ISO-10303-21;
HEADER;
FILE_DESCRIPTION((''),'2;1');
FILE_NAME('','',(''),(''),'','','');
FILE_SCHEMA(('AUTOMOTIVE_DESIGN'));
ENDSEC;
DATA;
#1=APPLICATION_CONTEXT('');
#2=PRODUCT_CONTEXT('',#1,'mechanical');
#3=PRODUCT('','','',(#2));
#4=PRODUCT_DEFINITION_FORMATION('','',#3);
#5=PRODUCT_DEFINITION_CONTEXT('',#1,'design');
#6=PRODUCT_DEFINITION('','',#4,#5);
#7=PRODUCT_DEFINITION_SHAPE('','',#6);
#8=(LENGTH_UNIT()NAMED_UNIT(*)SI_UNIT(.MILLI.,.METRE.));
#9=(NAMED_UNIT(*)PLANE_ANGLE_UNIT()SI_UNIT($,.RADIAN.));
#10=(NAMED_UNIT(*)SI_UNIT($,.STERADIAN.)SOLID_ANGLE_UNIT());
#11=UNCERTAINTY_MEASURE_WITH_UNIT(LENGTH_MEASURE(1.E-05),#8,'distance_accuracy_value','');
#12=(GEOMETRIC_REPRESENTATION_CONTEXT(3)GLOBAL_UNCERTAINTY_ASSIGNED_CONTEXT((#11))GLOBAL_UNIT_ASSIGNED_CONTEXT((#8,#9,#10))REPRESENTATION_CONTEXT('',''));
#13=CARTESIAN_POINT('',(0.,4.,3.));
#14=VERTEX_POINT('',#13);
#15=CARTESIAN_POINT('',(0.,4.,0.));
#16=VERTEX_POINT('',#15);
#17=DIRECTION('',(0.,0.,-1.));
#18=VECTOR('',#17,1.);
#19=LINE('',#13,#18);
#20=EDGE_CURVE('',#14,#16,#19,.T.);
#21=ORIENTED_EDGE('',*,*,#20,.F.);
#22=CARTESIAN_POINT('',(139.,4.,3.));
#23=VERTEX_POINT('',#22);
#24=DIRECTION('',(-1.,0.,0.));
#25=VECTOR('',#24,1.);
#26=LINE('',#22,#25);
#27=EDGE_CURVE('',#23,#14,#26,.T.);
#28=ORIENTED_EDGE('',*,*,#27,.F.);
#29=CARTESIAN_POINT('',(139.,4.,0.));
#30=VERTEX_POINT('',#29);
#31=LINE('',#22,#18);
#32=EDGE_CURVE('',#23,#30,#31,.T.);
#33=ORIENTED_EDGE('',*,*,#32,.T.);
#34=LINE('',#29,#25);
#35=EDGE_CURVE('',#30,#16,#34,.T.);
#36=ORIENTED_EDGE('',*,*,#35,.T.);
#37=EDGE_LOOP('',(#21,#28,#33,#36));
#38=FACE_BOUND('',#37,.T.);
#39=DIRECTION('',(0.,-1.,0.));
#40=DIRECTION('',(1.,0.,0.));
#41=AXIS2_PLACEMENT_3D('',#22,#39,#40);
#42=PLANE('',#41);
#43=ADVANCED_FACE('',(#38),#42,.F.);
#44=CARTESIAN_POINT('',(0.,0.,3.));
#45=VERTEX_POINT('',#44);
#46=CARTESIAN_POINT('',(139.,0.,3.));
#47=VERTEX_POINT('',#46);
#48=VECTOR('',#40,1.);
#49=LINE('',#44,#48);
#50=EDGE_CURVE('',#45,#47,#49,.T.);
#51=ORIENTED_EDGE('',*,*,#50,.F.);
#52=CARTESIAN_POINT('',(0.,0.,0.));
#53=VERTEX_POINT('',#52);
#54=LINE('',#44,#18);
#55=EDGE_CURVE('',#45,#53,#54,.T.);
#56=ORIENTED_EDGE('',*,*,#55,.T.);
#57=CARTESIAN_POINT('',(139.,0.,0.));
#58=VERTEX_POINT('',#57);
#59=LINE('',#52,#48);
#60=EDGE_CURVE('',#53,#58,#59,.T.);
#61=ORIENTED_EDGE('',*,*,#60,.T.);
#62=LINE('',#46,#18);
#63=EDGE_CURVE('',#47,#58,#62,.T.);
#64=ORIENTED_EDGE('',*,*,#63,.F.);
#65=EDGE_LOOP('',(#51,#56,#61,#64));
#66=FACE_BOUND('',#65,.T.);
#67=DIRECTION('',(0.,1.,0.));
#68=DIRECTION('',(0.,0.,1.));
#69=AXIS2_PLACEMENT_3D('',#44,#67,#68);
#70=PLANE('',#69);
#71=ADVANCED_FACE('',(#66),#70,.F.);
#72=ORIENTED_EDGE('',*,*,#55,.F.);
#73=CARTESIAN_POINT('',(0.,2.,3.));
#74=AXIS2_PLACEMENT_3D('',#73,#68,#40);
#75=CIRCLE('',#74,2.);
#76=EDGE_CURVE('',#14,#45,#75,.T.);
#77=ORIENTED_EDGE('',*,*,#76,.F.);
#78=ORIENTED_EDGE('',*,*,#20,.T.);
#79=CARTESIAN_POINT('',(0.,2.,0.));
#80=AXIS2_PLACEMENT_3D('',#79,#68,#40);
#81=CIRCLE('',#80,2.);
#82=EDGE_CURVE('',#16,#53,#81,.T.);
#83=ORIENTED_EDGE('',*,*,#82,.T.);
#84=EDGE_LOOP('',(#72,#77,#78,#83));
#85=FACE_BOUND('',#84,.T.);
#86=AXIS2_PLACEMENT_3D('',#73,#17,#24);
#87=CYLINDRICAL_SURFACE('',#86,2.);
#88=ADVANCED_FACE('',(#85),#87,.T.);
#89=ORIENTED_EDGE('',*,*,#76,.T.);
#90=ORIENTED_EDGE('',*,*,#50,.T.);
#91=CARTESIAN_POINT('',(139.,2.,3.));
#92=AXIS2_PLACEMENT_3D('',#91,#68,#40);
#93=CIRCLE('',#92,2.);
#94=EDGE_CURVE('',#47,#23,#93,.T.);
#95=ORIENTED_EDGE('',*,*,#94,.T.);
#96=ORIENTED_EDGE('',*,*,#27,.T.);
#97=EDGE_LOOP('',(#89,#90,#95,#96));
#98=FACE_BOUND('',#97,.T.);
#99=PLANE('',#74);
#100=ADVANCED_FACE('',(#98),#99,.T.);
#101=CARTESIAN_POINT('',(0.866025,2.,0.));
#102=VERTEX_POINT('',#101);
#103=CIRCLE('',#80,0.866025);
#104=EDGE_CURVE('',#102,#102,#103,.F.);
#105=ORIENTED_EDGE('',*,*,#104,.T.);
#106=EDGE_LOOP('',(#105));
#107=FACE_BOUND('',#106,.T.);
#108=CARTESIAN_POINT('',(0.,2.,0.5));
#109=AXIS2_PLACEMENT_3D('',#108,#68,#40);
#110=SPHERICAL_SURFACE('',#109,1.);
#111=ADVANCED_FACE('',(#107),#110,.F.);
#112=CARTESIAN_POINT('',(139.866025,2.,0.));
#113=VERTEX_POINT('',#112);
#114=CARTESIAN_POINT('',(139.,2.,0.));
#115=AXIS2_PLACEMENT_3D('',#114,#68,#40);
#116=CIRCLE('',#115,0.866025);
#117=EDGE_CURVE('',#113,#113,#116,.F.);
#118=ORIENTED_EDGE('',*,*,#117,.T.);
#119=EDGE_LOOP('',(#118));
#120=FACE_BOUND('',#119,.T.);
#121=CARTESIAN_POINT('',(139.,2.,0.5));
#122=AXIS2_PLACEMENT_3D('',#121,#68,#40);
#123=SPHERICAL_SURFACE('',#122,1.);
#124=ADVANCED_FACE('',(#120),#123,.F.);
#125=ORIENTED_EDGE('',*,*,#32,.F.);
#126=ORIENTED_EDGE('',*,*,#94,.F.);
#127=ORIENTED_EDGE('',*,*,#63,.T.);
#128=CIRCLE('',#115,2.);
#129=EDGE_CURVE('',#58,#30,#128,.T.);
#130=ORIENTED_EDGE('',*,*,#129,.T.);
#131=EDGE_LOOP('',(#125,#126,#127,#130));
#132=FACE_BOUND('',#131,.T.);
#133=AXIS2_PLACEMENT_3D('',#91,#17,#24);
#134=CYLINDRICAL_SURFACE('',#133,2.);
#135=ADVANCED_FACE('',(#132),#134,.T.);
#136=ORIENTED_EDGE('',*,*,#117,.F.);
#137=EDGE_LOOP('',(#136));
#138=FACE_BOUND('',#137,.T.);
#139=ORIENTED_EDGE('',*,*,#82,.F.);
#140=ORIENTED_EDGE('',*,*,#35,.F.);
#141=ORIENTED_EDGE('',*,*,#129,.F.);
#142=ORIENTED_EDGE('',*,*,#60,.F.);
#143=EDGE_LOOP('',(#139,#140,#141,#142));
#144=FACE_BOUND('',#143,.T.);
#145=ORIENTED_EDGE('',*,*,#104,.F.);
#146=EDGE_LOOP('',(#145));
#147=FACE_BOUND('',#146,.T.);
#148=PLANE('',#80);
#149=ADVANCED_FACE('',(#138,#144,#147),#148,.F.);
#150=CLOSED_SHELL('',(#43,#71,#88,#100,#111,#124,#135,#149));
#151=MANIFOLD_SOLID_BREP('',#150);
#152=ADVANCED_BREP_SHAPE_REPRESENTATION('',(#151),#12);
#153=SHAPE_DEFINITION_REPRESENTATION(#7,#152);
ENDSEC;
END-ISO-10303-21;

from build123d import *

# Parameters (mm, degrees)
EXTRUDE_1_DEPTH = 3


with BuildPart() as part:
    # 草图1 → 凸台-拉伸1 (new body)
    with BuildSketch(Plane.XY):
        with BuildLine():
            Line((0, 0), (139, 0))
            ThreePointArc((139, 0), (141, 2), (139, 4))
            Line((139, 4), (0, 4))
            ThreePointArc((0, 4), (-2, 2), (0, 0))
        make_face()
    extrude(amount=EXTRUDE_1_DEPTH)

    # 草图2 → 切除-旋转1 (revolve, cut)
    with BuildSketch(Plane(origin=(0, 2, 0), x_dir=(-1, 0, 0), z_dir=(0, -1, 0))):
        with BuildLine():
            Line((0, -0.5), (0, 0))
            Line((0, 0), (0, 0.5))
            ThreePointArc((0, 0.5), (-1, -0.5), (0, -1.5))
            Line((0, -1.5), (0, -0.5))
        make_face()
    revolve(axis=Axis((0, 2, 0), (0, 0, -1)), mode=Mode.SUBTRACT)

    # 草图4 → 切除-旋转3 (revolve, cut)
    with BuildSketch(Plane(origin=(0, 2, 0), x_dir=(-1, 0, 0), z_dir=(0, -1, 0))):
        with BuildLine():
            Line((-139, -0.5), (-139, 0))
            Line((-139, 0), (-139, 0.5))
            ThreePointArc((-139, 0.5), (-140, -0.5), (-139, -1.5))
            Line((-139, -1.5), (-139, -0.5))
        make_face()
    revolve(axis=Axis((139, 2, 1.5), (0, 0, -1)), mode=Mode.SUBTRACT)


solid = part.part
